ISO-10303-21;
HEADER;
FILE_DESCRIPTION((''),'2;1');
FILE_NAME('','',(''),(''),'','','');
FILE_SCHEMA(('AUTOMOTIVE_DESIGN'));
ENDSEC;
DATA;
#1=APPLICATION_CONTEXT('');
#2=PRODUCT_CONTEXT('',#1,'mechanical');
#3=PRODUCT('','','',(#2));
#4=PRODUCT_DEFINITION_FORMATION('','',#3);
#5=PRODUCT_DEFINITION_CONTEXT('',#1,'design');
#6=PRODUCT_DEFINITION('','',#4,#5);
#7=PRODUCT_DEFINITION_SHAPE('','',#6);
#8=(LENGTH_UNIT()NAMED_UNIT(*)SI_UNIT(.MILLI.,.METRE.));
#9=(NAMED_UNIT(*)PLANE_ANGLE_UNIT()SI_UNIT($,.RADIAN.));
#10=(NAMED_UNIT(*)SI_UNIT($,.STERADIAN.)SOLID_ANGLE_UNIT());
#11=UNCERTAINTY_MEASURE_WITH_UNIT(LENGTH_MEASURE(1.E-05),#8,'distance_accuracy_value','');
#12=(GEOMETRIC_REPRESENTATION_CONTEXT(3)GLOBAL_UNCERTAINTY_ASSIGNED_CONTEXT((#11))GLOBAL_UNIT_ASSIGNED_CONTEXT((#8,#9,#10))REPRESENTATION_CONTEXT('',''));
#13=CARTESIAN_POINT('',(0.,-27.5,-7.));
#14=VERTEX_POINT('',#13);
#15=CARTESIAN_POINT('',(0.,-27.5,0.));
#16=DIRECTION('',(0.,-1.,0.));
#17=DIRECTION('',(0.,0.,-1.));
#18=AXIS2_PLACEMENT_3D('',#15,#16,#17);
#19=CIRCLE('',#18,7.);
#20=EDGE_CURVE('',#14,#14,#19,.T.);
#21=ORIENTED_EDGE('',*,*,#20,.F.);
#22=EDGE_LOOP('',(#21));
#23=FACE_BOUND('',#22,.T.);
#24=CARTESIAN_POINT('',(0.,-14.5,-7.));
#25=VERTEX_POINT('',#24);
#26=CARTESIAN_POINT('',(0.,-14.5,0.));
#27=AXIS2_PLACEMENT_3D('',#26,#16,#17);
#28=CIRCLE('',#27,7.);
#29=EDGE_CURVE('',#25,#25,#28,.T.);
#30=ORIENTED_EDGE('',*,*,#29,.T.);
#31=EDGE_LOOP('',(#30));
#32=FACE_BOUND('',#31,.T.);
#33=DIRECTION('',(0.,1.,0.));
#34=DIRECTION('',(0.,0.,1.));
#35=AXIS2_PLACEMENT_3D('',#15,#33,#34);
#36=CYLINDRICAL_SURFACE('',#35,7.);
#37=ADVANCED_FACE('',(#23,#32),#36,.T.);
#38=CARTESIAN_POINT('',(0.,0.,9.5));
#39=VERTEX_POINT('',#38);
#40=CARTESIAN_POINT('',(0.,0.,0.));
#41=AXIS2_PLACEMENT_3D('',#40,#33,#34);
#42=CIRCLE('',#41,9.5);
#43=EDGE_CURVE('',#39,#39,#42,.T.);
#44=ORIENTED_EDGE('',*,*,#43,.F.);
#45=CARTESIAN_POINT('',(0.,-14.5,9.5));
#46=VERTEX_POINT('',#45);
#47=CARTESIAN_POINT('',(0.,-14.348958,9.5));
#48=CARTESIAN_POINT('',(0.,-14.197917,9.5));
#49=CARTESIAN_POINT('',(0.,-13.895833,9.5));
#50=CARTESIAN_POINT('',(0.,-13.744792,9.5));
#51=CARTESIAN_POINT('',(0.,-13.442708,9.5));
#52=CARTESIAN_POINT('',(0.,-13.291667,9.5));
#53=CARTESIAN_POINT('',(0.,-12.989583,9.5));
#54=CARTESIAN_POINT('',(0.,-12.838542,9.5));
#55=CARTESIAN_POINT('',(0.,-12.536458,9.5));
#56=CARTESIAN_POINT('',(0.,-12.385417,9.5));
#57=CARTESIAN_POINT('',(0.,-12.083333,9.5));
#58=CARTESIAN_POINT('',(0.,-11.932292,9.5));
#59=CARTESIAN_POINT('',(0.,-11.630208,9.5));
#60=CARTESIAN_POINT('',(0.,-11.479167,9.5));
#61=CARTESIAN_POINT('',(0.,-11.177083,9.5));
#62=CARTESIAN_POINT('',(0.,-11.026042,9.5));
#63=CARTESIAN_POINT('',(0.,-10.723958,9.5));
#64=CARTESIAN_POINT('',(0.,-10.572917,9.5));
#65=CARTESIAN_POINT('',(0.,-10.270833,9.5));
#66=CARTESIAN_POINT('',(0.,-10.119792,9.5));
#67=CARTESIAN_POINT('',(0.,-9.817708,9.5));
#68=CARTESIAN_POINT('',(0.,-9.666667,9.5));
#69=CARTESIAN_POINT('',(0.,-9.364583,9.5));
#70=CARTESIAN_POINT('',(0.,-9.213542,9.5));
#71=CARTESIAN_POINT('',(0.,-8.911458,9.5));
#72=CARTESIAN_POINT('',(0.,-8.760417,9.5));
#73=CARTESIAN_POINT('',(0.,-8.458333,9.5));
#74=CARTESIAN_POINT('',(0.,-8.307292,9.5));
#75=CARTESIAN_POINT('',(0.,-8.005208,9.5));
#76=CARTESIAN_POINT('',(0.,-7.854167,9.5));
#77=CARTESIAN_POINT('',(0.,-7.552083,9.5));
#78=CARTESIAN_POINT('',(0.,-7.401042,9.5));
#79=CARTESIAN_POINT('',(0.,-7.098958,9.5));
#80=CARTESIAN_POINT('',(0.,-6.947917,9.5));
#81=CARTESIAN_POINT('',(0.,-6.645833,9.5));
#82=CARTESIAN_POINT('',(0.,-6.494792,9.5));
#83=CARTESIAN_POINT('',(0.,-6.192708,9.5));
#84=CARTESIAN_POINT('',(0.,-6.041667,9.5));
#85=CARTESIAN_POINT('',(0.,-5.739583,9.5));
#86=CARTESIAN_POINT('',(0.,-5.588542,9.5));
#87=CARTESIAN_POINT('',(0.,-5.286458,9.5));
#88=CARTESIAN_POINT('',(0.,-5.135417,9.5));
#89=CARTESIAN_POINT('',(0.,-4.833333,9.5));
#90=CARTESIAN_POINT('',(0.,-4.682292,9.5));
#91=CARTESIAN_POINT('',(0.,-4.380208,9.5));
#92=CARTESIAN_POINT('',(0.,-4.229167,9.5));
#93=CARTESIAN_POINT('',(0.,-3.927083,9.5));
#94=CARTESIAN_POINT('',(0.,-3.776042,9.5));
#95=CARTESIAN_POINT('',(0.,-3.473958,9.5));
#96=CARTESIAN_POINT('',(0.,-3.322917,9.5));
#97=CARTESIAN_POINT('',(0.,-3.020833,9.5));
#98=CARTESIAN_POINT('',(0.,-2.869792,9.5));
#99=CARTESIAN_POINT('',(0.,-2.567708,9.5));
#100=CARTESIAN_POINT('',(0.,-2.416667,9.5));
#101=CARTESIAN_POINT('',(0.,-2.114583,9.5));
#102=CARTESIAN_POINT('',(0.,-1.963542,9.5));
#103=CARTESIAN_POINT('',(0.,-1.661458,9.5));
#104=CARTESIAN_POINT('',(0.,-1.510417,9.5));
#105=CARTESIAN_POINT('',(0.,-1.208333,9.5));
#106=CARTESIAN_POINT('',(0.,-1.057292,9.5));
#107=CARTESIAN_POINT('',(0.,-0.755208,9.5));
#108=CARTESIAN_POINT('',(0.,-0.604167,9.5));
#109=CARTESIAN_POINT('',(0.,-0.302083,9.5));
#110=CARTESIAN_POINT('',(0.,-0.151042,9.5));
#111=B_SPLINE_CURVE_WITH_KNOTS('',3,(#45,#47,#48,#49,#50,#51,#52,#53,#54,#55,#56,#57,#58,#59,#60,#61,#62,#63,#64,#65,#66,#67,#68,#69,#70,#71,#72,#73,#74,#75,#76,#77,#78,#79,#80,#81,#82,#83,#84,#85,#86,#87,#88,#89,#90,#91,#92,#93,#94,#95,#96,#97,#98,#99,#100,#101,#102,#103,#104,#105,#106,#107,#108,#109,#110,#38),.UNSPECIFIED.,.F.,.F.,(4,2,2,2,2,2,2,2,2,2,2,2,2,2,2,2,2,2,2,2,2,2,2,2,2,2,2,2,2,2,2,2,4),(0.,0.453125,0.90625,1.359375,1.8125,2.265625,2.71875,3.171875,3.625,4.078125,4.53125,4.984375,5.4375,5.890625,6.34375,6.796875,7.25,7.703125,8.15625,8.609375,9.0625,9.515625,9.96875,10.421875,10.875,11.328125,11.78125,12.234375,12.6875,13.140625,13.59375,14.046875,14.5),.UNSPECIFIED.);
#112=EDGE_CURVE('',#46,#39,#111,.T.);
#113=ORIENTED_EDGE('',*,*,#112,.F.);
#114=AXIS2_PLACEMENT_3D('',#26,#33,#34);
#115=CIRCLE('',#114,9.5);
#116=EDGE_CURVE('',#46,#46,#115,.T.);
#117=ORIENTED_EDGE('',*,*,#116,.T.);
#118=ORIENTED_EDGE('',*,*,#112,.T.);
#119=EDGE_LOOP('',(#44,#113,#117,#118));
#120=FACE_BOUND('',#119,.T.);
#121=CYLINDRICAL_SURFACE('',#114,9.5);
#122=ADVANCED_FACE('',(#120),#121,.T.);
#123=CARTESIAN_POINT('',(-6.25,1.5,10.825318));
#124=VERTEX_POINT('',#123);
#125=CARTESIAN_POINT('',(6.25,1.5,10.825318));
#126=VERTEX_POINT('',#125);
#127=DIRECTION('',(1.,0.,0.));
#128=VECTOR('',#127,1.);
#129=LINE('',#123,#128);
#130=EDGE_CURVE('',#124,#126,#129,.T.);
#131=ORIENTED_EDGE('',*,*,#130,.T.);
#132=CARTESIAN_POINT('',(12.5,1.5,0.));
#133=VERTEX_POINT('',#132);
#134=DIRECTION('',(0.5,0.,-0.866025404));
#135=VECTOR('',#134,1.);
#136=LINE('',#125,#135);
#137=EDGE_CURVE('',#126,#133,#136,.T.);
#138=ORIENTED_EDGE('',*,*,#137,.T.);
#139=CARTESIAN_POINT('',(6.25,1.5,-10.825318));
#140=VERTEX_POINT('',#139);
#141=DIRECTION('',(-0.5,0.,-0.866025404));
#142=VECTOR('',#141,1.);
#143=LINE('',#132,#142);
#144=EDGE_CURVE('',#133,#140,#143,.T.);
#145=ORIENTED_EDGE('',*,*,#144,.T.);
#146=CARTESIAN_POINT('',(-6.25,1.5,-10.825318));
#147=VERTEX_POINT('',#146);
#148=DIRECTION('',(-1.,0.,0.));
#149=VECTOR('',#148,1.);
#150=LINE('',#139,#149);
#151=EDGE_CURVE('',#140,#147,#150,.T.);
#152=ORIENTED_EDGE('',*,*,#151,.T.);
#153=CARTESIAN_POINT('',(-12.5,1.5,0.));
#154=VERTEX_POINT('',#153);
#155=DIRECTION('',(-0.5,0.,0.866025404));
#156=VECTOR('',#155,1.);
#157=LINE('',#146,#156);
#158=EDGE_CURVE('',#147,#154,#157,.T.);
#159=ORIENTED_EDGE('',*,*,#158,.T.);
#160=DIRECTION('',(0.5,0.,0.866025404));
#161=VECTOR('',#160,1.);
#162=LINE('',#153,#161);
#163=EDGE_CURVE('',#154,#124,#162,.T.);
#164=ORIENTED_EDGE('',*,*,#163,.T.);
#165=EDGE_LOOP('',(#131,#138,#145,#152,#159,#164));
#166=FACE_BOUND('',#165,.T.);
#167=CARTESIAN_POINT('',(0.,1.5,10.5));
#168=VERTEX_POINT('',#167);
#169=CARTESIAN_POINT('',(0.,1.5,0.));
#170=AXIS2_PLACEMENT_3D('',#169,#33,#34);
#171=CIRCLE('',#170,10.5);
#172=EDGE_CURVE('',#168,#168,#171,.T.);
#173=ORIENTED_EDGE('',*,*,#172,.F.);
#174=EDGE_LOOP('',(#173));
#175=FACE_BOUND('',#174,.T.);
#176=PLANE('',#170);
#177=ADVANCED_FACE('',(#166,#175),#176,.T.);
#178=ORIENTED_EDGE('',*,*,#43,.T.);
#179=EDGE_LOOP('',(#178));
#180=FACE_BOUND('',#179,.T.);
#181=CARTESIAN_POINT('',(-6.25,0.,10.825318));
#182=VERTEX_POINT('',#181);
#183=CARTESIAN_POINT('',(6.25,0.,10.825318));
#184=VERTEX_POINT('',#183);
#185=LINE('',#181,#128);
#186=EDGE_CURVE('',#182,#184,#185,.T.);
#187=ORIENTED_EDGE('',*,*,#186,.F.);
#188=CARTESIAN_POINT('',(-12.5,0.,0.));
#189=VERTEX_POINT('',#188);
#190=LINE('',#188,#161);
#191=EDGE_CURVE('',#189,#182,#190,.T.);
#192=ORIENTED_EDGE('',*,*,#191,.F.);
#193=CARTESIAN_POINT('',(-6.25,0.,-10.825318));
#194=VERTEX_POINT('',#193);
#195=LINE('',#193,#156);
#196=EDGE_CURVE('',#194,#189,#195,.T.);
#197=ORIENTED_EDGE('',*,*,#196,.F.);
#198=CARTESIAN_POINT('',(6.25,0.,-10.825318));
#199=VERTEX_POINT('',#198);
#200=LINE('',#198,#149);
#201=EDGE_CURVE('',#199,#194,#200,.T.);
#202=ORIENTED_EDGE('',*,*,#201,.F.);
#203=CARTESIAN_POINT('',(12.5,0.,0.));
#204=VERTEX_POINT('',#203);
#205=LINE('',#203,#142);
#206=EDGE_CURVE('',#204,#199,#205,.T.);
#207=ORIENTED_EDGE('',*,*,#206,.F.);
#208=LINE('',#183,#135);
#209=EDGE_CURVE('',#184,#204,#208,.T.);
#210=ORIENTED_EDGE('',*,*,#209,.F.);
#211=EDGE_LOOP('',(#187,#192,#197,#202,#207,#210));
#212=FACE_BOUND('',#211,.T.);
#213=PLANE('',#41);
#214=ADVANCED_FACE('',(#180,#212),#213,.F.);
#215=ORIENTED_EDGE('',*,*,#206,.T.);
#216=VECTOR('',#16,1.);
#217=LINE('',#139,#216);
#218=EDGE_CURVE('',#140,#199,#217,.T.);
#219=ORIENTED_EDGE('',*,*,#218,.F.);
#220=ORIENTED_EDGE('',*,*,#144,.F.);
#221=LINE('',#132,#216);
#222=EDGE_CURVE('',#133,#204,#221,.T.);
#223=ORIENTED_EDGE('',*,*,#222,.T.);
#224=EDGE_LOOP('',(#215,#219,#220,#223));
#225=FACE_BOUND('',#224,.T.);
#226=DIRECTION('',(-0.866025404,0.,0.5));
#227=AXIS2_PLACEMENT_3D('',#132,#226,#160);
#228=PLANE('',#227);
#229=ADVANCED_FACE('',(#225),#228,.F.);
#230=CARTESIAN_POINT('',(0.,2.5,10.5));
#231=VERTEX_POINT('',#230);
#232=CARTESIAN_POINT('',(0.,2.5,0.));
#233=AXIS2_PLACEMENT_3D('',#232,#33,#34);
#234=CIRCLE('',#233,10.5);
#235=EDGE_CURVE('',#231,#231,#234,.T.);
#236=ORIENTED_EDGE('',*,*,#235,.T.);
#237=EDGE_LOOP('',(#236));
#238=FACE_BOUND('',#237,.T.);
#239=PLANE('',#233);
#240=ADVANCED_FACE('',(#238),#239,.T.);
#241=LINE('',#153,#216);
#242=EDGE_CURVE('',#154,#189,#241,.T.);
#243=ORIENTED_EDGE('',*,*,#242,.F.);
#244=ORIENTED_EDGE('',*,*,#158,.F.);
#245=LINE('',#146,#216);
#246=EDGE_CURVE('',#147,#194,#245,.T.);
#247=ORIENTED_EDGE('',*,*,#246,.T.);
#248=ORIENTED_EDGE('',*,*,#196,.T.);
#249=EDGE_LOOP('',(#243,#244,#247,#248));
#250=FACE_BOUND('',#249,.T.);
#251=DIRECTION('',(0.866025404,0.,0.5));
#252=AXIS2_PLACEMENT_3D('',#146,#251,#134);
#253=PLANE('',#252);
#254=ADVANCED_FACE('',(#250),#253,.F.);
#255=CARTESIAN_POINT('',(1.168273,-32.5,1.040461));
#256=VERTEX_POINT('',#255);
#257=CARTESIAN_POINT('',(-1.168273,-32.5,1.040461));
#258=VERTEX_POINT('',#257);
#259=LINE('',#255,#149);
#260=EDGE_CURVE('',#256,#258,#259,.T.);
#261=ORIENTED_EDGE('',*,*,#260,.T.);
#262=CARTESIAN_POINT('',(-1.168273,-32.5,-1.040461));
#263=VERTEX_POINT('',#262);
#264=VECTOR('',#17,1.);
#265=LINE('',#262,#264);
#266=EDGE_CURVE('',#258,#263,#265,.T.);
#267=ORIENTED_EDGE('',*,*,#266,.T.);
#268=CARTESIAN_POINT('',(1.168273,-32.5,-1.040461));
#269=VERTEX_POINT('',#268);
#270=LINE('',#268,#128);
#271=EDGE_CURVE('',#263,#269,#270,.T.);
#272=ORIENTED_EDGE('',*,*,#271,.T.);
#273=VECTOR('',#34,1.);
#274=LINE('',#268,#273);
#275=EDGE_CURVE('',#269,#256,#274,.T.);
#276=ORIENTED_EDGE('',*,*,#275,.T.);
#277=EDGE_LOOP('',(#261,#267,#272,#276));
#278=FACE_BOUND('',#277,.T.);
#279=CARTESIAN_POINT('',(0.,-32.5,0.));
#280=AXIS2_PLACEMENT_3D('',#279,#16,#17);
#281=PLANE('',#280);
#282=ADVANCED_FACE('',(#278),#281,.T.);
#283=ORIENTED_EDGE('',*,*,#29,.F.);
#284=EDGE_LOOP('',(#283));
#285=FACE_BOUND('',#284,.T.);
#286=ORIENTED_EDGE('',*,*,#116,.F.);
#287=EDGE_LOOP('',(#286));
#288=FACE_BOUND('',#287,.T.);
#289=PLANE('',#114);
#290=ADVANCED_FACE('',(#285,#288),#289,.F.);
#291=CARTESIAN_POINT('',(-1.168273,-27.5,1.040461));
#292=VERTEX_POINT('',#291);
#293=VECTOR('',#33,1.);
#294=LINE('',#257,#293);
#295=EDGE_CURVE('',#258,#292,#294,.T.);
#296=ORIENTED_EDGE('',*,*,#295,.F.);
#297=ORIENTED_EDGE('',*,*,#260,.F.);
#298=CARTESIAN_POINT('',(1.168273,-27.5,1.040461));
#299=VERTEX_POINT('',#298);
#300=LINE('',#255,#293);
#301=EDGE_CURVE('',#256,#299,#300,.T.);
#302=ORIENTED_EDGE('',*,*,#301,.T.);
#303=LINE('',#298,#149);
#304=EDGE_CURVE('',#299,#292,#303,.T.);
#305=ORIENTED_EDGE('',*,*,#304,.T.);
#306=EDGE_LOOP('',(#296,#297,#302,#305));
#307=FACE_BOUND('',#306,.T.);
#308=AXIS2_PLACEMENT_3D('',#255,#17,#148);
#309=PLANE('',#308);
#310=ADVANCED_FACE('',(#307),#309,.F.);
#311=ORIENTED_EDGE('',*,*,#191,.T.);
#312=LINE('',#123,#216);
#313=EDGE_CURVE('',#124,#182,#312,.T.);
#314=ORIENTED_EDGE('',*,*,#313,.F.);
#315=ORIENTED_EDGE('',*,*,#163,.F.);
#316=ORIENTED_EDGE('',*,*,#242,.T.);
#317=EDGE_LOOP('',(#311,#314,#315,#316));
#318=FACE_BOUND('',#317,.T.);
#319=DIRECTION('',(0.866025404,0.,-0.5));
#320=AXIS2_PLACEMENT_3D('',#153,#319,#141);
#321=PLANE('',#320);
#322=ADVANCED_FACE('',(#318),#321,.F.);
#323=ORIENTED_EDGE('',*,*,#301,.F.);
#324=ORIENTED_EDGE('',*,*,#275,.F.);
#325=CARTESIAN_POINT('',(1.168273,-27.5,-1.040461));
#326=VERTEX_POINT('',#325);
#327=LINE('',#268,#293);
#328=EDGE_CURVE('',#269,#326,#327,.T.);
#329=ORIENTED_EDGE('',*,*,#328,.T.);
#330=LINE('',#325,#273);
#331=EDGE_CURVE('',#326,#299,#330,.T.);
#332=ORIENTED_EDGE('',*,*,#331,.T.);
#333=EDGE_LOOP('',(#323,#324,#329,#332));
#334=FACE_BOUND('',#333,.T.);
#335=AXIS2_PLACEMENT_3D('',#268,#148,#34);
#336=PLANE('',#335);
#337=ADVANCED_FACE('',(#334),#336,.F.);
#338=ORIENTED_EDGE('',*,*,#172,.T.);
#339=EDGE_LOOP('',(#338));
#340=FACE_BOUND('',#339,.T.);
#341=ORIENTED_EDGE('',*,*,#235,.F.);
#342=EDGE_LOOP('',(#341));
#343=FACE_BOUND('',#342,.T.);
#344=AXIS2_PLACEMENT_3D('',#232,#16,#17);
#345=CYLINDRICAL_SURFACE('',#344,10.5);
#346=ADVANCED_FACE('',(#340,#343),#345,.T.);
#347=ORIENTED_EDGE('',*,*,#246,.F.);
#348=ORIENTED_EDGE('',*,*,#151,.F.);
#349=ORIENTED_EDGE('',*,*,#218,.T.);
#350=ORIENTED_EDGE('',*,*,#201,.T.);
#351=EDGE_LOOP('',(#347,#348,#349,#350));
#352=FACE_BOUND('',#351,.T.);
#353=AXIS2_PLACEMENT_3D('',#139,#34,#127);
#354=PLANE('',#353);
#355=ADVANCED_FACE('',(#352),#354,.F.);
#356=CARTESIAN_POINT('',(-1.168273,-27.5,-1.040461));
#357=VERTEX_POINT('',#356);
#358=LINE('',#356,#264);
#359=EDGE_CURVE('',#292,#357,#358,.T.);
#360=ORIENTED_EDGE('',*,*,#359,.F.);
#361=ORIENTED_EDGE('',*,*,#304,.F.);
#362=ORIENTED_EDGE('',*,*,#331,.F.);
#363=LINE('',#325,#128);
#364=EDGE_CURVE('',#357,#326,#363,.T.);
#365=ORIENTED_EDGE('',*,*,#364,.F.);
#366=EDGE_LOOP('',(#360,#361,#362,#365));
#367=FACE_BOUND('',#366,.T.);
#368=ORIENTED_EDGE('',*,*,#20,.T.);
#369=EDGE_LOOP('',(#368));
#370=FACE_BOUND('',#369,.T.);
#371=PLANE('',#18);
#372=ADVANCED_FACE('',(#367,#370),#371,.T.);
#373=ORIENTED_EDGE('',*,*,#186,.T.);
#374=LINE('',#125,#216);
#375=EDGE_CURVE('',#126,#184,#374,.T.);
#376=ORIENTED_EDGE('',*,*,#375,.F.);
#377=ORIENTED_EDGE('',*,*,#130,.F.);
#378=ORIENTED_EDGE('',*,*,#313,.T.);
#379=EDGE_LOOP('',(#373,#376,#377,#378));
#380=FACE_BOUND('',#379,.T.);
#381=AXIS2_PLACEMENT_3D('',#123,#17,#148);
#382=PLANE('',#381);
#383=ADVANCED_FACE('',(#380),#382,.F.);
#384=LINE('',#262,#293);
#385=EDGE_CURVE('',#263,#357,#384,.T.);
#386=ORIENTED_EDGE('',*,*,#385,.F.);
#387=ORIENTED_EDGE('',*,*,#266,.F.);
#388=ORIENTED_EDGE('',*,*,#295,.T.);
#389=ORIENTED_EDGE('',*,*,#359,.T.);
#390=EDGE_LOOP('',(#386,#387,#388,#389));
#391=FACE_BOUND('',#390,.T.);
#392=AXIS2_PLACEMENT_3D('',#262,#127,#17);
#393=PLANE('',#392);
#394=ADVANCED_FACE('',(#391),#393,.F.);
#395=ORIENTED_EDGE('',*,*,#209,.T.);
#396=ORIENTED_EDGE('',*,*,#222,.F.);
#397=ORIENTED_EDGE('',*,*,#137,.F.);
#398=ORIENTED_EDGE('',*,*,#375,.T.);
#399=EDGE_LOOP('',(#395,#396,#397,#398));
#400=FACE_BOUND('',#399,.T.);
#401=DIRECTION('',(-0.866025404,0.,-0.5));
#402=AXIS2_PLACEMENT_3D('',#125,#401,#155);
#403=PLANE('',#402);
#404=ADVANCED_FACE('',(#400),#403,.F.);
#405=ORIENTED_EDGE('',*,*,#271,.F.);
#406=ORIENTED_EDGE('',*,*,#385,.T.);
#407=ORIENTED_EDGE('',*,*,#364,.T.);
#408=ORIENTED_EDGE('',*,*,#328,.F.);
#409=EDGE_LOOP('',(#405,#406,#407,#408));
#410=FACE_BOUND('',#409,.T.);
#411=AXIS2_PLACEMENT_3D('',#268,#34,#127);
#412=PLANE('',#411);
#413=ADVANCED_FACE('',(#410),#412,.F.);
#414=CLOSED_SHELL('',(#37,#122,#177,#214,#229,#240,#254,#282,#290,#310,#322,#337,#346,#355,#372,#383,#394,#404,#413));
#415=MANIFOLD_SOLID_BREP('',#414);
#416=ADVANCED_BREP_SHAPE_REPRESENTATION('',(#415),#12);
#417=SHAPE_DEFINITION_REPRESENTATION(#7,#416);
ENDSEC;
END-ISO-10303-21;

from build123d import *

# Parameters (mm, degrees)
SKETCH1_R           = 9.5
BOSS_EXTRUDE1_DEPTH = 14.5
SKETCH2_R           = 7
BOSS_EXTRUDE2_DEPTH = 13
BOSS_EXTRUDE3_DEPTH = 1.5
SKETCH4_R           = 10.5
BOSS_EXTRUDE4_DEPTH = 1
SKETCH5_W           = 2.336545246
SKETCH5_H           = 2.080922042
BOSS_EXTRUDE5_DEPTH = 5


with BuildPart() as part:
    # Sketch1 → Boss-Extrude1 (new body)
    with BuildSketch(Plane(origin=(0, 0, 0), x_dir=(1, 0, 0), z_dir=(0, 1, 0))):
        with Locations(Location((0, 0, 0), (0, 0, 270))):
            Circle(SKETCH1_R)
    extrude(amount=-BOSS_EXTRUDE1_DEPTH)

    # Sketch2 → Boss-Extrude2 (add)
    with BuildSketch(Plane.XZ.offset(14.5)):
        with Locations(Location((0, 0, 0), (0, 0, 270))):
            Circle(SKETCH2_R)
    extrude(amount=BOSS_EXTRUDE2_DEPTH)

    # Sketch3 → Boss-Extrude3 (add)
    with BuildSketch(Plane(origin=(0, 0, 0), x_dir=(1, 0, 0), z_dir=(0, 1, 0))):
        Polygon((12.5, 0), (6.25, 10.825317547), (-6.25, 10.825317547), (-12.5, 0), (-6.25, -10.825317547), (6.25, -10.825317547), align=None)
    extrude(amount=BOSS_EXTRUDE3_DEPTH)

    # Sketch4 → Boss-Extrude4 (add)
    with BuildSketch(Plane(origin=(0, 1.5, 0), x_dir=(1, 0, 0), z_dir=(0, 1, 0))):
        with Locations(Location((0, 0, 0), (0, 0, 270))):
            Circle(SKETCH4_R)
    extrude(amount=BOSS_EXTRUDE4_DEPTH)

    # Sketch5 → Boss-Extrude5 (add)
    with BuildSketch(Plane.XZ.offset(27.5)):
        Rectangle(SKETCH5_W, SKETCH5_H)
    extrude(amount=BOSS_EXTRUDE5_DEPTH)


solid = part.part
